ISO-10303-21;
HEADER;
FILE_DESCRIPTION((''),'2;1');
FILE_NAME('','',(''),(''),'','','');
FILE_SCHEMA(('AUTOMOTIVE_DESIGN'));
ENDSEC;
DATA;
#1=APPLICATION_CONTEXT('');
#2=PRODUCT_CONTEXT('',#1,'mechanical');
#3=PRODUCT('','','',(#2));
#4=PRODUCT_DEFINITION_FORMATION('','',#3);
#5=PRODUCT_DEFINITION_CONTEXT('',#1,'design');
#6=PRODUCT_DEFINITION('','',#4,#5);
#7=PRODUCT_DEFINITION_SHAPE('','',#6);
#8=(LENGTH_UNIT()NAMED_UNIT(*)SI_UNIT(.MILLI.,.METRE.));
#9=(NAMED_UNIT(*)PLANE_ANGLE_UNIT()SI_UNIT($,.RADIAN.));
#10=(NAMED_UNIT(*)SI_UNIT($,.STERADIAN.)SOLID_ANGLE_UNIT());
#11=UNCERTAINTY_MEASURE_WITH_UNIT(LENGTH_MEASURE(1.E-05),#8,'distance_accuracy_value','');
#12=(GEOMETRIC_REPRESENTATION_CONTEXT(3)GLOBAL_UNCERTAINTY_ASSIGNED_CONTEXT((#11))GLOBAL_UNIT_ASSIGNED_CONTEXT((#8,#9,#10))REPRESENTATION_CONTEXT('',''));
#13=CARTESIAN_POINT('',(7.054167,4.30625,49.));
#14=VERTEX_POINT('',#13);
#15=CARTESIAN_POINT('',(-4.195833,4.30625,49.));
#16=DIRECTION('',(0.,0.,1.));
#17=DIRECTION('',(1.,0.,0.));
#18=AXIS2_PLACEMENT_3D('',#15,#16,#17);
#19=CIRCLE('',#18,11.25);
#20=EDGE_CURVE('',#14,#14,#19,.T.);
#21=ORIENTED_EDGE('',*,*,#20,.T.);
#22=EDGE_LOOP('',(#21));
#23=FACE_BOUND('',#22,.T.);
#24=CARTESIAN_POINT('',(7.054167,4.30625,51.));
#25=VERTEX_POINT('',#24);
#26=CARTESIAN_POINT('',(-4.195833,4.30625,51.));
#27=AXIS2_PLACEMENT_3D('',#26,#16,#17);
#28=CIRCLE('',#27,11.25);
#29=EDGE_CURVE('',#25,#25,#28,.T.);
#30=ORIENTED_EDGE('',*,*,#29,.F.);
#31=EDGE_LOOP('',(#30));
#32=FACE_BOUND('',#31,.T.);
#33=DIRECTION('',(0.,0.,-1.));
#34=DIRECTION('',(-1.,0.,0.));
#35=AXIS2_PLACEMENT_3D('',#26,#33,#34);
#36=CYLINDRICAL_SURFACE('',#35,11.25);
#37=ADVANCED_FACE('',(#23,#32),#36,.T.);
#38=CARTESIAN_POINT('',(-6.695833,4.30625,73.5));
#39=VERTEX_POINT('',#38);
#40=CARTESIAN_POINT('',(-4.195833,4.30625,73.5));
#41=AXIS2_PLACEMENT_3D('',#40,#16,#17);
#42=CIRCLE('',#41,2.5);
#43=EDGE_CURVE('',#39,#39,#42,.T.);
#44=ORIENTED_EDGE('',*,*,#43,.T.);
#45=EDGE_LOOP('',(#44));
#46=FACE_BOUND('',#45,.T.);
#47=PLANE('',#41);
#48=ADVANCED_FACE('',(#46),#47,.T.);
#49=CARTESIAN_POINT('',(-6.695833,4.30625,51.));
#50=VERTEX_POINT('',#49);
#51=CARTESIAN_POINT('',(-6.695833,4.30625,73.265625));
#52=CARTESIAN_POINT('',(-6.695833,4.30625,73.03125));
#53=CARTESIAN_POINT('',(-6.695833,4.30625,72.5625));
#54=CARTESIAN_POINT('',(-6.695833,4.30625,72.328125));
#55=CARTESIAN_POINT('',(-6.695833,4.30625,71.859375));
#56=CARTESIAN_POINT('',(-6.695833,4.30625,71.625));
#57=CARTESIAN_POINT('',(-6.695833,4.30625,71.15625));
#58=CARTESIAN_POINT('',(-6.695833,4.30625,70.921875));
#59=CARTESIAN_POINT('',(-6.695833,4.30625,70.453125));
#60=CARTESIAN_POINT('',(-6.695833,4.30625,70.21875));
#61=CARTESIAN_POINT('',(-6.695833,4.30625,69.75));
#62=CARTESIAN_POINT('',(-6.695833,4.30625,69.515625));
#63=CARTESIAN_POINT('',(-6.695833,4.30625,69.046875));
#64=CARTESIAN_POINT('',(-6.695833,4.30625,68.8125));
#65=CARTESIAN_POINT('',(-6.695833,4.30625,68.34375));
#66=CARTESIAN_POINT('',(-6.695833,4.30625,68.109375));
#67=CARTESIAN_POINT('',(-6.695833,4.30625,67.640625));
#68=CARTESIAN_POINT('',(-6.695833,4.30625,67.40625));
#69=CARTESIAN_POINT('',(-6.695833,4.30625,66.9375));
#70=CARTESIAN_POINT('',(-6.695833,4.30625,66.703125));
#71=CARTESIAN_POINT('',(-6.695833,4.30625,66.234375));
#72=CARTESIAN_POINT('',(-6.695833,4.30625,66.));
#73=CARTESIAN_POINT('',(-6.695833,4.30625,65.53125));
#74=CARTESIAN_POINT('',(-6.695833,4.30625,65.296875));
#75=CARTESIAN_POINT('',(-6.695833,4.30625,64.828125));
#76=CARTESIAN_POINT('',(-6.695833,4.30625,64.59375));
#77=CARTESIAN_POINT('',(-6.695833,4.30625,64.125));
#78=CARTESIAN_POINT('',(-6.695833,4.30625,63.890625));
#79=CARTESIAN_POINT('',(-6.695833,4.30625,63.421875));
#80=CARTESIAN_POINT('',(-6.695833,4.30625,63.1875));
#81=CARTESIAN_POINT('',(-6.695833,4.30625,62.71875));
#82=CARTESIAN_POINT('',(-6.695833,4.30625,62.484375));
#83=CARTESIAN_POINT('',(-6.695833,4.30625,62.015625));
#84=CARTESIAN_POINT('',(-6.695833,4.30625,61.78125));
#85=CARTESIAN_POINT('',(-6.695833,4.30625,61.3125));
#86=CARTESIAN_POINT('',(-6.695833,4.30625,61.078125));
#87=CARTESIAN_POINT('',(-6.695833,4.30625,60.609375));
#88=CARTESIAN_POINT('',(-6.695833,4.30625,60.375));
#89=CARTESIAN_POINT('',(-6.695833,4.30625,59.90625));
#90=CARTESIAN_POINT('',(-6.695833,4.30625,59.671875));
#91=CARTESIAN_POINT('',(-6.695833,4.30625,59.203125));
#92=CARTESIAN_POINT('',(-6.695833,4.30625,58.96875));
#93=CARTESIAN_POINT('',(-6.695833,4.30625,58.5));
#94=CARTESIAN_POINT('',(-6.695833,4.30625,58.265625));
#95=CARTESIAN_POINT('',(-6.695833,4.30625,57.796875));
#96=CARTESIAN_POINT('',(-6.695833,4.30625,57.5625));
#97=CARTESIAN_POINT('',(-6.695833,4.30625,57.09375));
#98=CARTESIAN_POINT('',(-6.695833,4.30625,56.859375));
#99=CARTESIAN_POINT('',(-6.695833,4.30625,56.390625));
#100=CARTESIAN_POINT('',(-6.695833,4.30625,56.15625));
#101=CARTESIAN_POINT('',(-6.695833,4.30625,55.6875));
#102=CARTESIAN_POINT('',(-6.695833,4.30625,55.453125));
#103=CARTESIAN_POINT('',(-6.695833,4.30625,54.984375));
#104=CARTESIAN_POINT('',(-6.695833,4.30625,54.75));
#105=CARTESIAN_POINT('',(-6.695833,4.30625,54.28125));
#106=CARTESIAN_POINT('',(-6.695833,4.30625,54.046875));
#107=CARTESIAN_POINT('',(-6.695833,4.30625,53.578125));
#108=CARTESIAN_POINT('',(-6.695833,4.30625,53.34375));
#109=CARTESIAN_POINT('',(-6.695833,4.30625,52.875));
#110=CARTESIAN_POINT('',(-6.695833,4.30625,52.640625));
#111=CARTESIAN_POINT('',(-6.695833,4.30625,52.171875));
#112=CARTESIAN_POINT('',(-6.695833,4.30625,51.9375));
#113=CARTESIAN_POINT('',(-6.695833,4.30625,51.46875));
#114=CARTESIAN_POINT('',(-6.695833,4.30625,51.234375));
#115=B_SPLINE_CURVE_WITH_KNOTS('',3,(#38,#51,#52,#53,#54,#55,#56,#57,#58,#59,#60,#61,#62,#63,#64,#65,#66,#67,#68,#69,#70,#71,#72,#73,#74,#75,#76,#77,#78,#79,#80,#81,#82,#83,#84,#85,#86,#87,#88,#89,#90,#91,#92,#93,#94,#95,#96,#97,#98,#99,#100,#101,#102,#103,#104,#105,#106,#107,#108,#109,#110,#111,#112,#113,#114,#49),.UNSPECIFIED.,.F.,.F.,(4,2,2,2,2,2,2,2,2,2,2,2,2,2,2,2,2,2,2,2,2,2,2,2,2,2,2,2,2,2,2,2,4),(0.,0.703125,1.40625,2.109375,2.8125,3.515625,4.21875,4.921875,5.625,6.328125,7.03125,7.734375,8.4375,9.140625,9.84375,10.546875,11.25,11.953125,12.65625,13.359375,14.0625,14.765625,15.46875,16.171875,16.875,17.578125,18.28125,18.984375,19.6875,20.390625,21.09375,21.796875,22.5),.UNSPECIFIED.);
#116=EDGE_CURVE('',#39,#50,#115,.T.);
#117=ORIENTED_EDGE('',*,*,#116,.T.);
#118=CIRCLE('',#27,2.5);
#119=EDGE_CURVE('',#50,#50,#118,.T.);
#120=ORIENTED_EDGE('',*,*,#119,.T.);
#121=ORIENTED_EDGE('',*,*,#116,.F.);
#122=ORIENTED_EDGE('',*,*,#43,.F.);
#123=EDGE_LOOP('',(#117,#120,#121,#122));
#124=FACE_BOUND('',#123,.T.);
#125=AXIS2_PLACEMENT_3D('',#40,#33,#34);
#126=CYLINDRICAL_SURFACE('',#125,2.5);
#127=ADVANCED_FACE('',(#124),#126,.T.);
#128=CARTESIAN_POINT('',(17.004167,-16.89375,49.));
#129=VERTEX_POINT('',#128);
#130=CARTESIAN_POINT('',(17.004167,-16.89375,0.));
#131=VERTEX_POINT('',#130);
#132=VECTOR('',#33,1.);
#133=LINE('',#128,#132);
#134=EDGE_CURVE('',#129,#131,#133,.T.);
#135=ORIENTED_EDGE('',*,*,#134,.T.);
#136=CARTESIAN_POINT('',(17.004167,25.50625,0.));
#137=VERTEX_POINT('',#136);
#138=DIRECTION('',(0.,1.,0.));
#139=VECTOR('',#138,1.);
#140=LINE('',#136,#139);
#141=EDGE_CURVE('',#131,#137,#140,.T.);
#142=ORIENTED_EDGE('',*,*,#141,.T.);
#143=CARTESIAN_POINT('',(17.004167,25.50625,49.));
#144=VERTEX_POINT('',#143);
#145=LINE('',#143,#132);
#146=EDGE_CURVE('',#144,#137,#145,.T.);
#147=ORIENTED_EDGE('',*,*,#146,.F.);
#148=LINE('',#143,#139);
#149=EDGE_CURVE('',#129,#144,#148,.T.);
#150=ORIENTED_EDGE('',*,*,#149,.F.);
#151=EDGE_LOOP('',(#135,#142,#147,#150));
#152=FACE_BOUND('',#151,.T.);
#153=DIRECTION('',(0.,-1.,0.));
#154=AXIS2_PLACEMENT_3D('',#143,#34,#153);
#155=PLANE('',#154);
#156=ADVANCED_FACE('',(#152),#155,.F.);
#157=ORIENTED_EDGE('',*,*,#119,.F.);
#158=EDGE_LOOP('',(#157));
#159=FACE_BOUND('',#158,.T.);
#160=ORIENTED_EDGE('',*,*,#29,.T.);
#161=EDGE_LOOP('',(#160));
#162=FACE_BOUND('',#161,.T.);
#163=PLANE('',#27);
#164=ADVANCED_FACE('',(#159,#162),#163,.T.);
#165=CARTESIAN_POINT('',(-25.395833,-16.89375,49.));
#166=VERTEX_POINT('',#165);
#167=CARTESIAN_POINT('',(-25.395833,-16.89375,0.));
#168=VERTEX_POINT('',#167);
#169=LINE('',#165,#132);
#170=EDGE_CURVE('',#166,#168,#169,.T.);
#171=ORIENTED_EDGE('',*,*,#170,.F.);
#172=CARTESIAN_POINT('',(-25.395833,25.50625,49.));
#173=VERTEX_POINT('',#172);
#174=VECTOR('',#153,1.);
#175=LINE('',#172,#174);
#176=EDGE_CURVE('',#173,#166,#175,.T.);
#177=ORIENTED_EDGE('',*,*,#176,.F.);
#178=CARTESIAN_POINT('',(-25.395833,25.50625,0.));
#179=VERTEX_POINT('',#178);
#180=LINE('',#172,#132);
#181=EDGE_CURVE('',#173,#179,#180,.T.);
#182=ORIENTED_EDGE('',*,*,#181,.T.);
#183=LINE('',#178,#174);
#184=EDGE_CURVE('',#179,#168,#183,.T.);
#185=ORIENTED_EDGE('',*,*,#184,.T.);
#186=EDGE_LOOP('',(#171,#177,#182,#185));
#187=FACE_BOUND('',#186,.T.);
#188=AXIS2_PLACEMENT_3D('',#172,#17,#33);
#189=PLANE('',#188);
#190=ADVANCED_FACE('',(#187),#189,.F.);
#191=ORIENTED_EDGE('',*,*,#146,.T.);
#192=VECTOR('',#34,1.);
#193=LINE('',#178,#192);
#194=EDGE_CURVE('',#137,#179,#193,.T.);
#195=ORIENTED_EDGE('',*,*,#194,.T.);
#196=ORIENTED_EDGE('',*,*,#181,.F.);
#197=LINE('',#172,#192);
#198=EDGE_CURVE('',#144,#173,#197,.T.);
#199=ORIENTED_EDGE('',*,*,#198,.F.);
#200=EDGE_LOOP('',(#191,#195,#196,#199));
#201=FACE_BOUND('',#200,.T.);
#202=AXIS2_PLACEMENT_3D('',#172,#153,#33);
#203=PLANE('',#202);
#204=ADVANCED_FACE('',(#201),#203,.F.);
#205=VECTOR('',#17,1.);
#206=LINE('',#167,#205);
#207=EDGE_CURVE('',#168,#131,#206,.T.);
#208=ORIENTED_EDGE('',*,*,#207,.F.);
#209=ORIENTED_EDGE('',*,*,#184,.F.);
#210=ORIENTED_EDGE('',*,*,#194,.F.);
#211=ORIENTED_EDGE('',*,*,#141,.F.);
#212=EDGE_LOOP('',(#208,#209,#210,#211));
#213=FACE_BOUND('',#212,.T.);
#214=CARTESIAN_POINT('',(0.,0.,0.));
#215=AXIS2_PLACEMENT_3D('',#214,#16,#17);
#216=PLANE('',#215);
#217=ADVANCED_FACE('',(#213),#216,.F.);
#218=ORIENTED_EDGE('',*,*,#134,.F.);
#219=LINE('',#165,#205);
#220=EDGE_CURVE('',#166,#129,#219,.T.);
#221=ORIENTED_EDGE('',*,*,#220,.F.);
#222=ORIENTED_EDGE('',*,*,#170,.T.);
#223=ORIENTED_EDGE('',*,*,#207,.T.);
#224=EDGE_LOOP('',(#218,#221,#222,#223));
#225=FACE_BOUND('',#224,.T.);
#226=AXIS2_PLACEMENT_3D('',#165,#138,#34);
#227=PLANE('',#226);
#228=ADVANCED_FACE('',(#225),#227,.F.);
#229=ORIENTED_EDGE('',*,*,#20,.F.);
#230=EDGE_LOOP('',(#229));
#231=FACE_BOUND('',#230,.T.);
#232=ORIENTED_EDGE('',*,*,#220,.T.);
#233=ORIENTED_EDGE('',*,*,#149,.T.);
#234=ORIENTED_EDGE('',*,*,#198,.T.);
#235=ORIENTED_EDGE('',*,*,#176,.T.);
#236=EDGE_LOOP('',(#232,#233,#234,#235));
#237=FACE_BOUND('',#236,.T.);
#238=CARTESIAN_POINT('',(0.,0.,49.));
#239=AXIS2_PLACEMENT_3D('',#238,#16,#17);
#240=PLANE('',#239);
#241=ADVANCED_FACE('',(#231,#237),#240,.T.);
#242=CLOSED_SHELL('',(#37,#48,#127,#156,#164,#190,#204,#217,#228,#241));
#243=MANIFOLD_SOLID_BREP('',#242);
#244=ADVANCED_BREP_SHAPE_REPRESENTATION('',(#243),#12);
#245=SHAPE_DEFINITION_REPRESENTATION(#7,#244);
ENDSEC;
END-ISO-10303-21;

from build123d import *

# Parameters (mm, degrees)
SKETCH1_W           = 42.4
SKETCH1_H           = 42.4
BOSS_EXTRUDE1_DEPTH = 49
SKETCH2_R           = 11.25
BOSS_EXTRUDE2_DEPTH = 2
SKETCH3_R           = 2.5
BOSS_EXTRUDE3_DEPTH = 22.5


with BuildPart() as part:
    # Sketch1 → Boss-Extrude1 (new body)
    with BuildSketch(Plane.XY):
        with Locations((-4.195833333, 4.30625)):
            Rectangle(SKETCH1_W, SKETCH1_H)
    extrude(amount=BOSS_EXTRUDE1_DEPTH)

    # Sketch2 → Boss-Extrude2 (add)
    with BuildSketch(Plane.XY.offset(49)):
        with Locations((-4.195833333, 4.30625)):
            Circle(SKETCH2_R)
    extrude(amount=BOSS_EXTRUDE2_DEPTH)

    # Sketch3 → Boss-Extrude3 (add)
    with BuildSketch(Plane.XY.offset(51)):
        with Locations(Location((-4.195833333, 4.30625, 0), (0, 0, 180))):
            Circle(SKETCH3_R)
    extrude(amount=BOSS_EXTRUDE3_DEPTH)


solid = part.part
